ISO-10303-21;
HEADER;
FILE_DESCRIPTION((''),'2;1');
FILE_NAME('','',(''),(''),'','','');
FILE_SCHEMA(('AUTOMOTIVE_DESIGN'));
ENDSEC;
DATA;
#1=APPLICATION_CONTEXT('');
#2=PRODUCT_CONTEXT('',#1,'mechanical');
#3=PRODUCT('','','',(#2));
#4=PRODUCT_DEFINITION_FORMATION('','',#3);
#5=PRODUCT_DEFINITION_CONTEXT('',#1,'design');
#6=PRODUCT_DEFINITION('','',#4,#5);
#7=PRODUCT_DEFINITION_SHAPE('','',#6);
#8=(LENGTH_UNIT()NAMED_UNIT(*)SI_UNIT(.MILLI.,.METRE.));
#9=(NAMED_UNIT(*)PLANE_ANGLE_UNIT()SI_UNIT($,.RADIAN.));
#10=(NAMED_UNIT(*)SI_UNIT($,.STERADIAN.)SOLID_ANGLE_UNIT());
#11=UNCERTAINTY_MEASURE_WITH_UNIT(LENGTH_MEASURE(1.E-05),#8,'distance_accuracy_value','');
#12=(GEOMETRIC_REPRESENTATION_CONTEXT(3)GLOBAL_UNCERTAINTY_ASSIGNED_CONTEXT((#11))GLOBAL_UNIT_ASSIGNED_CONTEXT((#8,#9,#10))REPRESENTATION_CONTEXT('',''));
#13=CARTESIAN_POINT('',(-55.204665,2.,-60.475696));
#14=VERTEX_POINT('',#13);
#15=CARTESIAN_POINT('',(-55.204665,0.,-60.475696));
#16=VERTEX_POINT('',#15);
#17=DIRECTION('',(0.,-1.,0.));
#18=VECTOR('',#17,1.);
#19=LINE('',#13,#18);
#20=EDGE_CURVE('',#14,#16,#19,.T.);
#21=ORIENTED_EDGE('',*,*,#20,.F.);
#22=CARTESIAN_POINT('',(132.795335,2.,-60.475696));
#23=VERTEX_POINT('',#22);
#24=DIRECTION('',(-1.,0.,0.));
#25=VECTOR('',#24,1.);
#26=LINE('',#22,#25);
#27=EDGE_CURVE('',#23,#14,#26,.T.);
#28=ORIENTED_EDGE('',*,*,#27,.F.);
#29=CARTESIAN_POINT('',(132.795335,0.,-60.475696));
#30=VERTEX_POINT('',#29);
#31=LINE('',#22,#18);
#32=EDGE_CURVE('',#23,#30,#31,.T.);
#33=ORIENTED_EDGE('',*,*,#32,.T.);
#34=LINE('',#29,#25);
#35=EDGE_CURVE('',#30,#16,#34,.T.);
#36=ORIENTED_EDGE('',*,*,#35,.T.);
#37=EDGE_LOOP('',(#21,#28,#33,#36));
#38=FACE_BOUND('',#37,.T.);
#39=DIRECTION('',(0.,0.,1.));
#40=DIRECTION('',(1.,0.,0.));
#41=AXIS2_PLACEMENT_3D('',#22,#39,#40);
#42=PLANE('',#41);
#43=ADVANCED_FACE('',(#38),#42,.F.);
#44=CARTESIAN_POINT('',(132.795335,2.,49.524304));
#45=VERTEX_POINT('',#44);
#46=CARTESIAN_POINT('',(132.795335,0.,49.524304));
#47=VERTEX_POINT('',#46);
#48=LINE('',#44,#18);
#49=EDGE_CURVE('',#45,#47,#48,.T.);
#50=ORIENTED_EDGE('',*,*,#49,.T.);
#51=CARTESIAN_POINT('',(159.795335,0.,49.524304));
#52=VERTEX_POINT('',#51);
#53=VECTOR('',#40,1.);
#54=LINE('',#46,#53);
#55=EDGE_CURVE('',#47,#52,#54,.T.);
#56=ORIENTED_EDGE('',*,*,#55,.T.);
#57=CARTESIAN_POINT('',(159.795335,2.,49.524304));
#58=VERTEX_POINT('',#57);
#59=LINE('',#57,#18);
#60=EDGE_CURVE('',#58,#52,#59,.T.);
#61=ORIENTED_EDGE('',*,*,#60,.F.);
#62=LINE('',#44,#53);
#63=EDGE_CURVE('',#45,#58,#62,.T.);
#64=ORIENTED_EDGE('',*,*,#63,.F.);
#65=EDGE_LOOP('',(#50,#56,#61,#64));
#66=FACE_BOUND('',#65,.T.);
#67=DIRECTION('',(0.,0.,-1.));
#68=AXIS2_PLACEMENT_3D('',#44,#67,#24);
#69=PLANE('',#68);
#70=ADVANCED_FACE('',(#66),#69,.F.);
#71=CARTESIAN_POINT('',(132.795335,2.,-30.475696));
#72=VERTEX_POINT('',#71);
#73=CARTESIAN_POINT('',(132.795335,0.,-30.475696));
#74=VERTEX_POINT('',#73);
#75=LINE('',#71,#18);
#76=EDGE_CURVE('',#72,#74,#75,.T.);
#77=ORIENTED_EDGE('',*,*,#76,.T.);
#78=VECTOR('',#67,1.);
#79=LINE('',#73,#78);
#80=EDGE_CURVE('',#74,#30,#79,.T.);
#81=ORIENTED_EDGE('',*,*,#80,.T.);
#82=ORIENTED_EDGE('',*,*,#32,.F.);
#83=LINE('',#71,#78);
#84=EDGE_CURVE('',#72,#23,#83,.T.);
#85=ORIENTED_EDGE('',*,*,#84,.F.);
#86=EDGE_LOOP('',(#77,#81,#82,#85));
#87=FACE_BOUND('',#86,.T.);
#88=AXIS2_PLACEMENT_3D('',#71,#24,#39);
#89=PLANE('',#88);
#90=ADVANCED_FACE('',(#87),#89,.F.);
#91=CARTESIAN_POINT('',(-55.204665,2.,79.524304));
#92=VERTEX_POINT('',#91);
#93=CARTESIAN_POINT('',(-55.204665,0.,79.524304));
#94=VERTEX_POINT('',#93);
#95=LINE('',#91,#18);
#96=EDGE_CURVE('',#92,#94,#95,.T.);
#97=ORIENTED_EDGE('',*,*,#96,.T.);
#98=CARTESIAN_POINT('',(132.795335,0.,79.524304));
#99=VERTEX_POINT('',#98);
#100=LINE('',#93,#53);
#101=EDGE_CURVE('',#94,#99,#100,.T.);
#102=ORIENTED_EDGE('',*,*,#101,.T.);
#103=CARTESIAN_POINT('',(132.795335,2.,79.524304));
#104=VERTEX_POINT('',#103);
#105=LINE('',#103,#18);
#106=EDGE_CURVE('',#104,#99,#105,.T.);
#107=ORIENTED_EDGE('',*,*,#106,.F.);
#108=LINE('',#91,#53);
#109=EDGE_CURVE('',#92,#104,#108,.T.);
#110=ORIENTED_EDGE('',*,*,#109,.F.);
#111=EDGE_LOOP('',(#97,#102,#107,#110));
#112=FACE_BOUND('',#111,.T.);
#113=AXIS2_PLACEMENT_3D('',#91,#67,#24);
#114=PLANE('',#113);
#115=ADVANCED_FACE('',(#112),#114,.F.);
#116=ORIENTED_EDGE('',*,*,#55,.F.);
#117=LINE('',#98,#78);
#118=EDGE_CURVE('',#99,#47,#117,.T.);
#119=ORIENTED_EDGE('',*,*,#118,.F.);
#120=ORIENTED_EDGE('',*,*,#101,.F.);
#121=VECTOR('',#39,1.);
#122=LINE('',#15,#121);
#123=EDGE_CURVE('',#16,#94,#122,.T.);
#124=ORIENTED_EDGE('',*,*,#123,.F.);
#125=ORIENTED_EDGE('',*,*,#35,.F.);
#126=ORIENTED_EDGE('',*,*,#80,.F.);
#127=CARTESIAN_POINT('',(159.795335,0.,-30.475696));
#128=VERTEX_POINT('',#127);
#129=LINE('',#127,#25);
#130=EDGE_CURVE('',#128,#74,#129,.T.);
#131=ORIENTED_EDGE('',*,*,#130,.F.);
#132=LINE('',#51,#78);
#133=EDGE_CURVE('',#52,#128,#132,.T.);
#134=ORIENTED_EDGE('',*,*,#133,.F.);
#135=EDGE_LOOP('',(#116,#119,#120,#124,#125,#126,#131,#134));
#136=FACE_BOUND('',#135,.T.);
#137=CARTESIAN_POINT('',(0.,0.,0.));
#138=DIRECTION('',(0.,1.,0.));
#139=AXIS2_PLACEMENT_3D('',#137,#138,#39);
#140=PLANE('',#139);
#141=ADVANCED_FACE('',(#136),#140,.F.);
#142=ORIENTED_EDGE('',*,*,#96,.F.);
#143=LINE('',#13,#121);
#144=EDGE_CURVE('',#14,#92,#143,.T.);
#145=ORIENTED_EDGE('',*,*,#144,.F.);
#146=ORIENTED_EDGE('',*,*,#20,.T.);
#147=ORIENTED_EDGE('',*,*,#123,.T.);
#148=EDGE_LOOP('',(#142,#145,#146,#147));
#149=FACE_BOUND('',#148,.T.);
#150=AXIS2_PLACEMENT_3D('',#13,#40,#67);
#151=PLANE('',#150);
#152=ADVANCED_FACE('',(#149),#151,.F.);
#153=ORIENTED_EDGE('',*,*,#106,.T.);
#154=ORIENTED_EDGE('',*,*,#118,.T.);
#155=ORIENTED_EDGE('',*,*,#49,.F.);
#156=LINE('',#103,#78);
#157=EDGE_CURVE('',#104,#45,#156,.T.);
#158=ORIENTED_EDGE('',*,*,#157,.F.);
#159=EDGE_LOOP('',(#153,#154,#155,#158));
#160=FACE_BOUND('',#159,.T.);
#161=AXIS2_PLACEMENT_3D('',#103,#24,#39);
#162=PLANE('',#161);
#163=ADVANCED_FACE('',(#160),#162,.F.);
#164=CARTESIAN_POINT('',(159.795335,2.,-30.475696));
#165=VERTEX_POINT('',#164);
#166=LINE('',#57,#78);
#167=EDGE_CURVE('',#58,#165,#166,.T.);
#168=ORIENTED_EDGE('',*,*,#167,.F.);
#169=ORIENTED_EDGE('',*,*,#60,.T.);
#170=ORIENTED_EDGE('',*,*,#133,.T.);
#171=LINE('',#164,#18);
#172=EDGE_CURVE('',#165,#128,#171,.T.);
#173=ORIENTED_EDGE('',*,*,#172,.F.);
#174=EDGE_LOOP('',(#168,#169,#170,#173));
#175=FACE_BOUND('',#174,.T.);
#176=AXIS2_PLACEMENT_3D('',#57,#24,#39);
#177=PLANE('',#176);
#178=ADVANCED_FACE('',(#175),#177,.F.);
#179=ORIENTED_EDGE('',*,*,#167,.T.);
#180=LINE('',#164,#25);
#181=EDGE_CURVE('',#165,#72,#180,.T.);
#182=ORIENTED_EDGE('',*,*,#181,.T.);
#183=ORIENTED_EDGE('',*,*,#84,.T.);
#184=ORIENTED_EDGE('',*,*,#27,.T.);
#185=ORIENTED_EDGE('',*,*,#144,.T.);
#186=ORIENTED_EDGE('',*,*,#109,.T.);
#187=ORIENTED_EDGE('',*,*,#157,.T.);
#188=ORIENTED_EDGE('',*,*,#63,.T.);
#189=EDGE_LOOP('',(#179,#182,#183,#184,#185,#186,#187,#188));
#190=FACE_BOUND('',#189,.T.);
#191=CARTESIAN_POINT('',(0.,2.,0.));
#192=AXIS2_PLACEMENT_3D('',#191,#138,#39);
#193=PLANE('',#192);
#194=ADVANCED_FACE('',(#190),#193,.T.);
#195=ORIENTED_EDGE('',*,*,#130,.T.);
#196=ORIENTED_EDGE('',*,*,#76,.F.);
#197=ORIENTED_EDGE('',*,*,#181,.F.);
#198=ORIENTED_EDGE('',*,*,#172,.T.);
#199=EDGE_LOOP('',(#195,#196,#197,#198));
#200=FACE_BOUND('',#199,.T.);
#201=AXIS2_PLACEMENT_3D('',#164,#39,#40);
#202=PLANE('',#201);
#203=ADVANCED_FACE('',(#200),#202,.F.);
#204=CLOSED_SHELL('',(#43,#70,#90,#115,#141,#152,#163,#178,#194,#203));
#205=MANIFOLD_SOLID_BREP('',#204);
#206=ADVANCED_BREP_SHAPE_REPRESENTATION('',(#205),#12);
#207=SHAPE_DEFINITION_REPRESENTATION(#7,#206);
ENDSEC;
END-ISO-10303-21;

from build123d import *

# Parameters (mm, degrees)
BOSS_EXTRUDE1_DEPTH = 2


with BuildPart() as part:
    # Sketch1 → Boss-Extrude1 (new body)
    with BuildSketch(Plane(origin=(0, 0, 0), x_dir=(1, 0, 0), z_dir=(0, 1, 0))):
        Polygon((-55.20466454, 60.475696308), (-55.20466454, -79.524303692), (132.79533546, -79.524303692), (132.79533546, -49.524303692), (159.79533546, -49.524303692), (159.79533546, 30.475696308), (132.79533546, 30.475696308), (132.79533546, 60.475696308), align=None)
    extrude(amount=BOSS_EXTRUDE1_DEPTH)


solid = part.part
